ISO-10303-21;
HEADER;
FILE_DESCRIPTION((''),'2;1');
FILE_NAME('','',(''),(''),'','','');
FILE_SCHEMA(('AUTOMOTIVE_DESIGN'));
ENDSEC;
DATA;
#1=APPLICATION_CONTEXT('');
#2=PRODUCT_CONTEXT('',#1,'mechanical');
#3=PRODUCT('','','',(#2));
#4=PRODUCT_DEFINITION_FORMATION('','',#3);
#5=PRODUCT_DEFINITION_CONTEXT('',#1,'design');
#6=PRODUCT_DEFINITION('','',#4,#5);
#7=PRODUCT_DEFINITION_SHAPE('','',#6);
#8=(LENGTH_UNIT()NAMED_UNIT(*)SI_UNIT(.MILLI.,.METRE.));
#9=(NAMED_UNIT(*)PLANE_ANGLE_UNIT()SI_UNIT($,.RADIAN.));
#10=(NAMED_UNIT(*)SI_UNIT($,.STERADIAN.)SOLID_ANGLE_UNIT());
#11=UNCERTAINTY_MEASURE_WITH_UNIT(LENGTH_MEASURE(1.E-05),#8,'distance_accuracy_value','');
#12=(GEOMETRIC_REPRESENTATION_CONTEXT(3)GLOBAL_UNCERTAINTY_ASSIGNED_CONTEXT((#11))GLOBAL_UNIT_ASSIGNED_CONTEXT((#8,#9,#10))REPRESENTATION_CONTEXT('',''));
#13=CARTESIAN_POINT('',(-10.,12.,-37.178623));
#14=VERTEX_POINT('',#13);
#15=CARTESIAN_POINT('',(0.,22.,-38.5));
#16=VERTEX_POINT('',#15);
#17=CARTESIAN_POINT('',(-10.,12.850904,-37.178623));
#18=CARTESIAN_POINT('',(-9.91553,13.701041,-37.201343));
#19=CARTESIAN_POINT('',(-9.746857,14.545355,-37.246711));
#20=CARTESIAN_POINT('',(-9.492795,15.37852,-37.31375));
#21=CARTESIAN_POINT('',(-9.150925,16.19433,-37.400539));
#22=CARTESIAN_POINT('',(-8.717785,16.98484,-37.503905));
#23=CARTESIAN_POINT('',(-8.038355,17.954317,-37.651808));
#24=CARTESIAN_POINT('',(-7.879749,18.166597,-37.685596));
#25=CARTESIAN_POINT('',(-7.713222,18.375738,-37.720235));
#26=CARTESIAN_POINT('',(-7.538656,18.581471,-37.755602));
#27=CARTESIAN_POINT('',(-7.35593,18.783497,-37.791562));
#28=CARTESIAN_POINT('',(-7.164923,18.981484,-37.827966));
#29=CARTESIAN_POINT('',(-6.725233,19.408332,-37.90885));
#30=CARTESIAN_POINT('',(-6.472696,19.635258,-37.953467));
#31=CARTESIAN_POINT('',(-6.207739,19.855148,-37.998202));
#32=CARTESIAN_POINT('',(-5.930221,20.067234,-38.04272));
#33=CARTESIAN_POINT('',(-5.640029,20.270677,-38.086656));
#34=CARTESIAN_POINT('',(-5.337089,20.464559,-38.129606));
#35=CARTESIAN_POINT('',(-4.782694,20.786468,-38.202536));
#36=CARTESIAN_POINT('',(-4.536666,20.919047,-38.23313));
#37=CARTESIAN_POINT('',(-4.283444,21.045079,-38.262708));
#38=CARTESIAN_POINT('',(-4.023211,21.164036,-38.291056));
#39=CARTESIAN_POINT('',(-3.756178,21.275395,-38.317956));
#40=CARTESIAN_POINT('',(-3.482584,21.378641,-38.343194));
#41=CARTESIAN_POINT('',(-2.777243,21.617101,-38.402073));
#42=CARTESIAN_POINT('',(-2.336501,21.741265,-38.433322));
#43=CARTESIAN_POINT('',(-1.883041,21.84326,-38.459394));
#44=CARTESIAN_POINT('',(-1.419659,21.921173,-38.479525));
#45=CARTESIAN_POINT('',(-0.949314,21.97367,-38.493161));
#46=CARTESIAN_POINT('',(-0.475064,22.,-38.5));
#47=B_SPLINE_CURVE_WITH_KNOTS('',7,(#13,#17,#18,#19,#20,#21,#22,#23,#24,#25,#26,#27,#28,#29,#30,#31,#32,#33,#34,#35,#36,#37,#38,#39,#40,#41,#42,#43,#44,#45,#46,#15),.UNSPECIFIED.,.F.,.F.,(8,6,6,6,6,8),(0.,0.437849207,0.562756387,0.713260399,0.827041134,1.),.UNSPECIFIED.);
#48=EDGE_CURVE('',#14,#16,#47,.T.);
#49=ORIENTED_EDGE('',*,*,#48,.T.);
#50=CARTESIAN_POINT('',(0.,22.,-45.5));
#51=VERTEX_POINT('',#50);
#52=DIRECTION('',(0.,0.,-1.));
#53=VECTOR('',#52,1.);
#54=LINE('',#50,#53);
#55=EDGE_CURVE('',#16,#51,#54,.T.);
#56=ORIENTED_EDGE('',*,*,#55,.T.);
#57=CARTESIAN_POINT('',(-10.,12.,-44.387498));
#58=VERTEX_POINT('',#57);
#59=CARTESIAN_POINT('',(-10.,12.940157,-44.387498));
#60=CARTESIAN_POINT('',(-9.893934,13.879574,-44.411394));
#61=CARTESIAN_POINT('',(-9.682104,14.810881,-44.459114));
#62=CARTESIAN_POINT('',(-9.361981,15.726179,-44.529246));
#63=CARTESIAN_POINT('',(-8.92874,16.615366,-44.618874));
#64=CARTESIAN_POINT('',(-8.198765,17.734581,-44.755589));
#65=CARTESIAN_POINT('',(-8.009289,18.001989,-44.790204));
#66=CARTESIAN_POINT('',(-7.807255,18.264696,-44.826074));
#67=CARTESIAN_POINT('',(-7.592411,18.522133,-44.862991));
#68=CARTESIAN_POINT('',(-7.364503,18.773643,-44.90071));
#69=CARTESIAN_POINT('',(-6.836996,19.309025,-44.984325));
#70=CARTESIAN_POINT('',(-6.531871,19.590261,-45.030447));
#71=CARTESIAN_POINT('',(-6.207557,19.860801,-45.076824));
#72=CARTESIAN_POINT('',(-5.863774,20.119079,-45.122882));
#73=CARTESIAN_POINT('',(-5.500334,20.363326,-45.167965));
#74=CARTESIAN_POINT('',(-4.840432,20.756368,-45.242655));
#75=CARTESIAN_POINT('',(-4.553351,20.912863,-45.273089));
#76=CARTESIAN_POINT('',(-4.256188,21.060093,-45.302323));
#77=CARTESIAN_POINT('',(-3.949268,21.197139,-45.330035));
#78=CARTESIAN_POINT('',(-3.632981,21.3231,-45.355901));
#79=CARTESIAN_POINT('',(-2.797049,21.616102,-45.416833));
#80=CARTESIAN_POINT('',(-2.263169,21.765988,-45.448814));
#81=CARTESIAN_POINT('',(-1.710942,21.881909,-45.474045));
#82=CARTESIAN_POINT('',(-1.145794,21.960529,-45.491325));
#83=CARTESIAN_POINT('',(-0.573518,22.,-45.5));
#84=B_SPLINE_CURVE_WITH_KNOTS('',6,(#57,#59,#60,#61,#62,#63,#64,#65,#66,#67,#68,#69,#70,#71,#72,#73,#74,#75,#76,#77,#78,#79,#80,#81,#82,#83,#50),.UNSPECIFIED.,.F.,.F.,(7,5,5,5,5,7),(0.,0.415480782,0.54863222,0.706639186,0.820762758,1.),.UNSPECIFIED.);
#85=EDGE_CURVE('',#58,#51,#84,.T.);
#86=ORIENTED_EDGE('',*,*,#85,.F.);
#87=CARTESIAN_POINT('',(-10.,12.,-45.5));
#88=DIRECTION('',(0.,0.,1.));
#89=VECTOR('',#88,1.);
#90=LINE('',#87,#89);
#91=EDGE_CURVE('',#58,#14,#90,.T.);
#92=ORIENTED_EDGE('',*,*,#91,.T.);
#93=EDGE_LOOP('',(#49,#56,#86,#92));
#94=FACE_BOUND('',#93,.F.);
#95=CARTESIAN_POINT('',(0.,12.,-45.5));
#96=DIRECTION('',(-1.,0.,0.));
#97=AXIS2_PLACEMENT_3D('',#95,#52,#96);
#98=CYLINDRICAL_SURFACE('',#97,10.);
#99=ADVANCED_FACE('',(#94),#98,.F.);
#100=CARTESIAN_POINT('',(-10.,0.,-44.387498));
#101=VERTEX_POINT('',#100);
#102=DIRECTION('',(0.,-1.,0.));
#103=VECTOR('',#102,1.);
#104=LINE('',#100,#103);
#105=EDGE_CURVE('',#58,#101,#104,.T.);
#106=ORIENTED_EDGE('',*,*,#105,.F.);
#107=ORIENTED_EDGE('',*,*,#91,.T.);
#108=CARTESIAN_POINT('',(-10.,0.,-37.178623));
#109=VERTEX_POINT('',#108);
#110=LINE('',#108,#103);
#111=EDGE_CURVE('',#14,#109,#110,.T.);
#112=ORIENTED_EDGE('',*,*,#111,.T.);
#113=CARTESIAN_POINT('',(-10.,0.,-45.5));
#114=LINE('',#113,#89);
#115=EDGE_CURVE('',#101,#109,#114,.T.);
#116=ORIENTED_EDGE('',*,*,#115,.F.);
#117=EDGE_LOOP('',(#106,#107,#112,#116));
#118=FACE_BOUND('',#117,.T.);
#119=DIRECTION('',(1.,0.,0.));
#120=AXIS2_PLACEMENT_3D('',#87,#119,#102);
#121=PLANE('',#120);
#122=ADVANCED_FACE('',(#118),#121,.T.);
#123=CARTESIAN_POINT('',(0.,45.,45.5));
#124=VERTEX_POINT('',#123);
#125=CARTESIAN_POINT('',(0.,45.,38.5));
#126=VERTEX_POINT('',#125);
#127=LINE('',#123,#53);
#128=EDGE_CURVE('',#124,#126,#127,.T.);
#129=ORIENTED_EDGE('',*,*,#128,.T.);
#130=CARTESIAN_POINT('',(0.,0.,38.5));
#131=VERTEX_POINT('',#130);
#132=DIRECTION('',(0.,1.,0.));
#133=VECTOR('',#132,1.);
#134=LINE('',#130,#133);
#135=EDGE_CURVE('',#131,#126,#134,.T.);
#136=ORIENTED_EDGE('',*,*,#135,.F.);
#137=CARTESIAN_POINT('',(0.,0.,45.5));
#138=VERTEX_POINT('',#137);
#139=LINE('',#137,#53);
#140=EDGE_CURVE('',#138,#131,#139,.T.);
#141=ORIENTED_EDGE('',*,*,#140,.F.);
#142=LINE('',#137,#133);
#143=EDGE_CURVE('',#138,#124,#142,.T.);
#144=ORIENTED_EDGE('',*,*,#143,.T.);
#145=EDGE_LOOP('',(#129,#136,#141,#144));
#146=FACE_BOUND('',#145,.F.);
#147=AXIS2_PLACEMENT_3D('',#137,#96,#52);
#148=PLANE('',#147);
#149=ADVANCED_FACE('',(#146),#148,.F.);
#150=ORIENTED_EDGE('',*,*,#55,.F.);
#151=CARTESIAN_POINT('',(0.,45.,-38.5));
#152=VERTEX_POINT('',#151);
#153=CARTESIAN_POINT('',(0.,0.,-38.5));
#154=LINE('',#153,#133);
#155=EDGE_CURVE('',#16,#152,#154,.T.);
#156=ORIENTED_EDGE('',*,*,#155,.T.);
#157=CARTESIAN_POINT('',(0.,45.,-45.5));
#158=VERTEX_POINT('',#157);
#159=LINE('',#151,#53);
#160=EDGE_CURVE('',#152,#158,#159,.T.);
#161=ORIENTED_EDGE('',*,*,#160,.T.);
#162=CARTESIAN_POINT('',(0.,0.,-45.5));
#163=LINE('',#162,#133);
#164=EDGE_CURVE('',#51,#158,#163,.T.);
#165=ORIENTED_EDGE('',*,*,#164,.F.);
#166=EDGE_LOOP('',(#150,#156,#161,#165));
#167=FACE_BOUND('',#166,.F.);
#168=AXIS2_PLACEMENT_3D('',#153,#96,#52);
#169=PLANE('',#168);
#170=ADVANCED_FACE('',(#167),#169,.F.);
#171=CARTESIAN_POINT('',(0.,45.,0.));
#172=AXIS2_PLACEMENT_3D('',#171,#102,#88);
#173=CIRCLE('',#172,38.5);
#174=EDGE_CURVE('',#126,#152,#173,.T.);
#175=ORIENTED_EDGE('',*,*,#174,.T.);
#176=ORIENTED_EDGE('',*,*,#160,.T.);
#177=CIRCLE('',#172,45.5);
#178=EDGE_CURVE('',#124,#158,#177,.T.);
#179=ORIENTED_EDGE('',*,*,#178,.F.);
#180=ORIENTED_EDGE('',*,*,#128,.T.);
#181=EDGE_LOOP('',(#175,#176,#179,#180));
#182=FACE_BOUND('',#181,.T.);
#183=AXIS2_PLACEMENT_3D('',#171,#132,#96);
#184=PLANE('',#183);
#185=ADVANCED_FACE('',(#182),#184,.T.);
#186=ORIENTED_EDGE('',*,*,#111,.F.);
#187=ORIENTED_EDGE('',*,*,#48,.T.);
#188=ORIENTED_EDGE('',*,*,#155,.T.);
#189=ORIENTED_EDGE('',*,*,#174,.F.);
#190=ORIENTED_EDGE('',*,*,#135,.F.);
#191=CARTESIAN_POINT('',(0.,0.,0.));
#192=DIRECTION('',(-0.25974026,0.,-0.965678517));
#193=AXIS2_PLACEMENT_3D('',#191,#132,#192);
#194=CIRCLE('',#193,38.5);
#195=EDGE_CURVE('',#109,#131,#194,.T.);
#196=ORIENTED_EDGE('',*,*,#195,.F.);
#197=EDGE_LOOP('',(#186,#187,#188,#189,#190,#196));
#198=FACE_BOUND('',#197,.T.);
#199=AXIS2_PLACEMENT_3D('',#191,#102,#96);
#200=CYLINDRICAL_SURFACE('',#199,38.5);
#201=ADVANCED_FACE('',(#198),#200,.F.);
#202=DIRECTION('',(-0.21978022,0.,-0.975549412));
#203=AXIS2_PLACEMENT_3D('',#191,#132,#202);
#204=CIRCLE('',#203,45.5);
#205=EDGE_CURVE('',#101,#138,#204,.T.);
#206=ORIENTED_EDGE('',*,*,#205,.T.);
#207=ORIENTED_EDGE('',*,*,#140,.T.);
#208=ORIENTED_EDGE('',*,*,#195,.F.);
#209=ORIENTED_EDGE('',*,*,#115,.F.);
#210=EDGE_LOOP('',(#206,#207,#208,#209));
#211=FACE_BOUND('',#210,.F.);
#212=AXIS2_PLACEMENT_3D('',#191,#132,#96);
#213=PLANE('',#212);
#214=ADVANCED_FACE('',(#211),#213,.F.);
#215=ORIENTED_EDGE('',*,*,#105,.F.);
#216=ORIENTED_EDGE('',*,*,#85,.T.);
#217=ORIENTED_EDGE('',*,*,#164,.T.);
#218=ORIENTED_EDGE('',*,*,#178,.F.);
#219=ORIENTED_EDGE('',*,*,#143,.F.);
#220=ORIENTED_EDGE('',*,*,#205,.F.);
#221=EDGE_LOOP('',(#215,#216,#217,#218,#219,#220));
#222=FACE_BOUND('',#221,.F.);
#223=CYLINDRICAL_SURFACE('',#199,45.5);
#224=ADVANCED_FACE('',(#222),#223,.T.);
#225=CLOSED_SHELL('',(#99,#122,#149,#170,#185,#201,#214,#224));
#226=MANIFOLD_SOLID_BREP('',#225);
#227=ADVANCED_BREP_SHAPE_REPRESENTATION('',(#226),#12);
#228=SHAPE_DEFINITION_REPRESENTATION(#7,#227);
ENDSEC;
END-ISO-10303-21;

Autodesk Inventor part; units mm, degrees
ref_plane "YZ Plane" through (0, 0, 0) normal (1, 0, 0) x (0, 1, 0)
ref_plane "XZ Plane" through (0, 0, 0) normal (0, 1, 0) x (-1, 0, 0)
ref_plane "XY Plane" through (0, 0, 0) normal (0, 0, 1) x (1, 0, 0)
sketch "Sketch1" plane through (0, 0, 0) normal (0, 1, 0) x (-1, 0, 0)
  circle A0 centre (0, 0) radius 45.5
  circle A1 centre (0, 0) radius 38.5
  line L0 (0, 45.5) -> (0, 38.5)
  line L1 (0, -38.5) -> (0, -45.5)
  dimension "KulsoAtmeroPVCcso" = 91
  dimension "PVCfalVastagsag" = 7
extrude "Extrusion1" add sketch "Sketch1" along normal blind 45 contours A0 L1 A1 L0 picked at (28.7594, -28.7594)
ref_plane "Work Plane1" through (0, 0, -45.5) normal (0, 0, -1) x (-1, 0, 0)
sketch "Sketch2" plane through (0, 0, -45.5) normal (0, 0, -1) x (-1, 0, 0)
  arc A0 (10, 12) -> (0, 2) centre (0, 12) ccw
  line L0 (10, 12) -> (10, 0)
  line L1 (0, 0) -> (38.5, 0) projected
  line L2 (10, 0) -> (0, 0)
  line L3 (0, 0) -> (0, 12)
  line L4 (0, 0) -> (0, 45) projected
  dimension "d4" = 20
  dimension "KisFogaskerekBesulyesztes" = 12
extrude "Extrusion2" cut sketch "Sketch2" against normal blind 50
properties part number "BurkolatPVCszenzor" material "PVC-Piping"
